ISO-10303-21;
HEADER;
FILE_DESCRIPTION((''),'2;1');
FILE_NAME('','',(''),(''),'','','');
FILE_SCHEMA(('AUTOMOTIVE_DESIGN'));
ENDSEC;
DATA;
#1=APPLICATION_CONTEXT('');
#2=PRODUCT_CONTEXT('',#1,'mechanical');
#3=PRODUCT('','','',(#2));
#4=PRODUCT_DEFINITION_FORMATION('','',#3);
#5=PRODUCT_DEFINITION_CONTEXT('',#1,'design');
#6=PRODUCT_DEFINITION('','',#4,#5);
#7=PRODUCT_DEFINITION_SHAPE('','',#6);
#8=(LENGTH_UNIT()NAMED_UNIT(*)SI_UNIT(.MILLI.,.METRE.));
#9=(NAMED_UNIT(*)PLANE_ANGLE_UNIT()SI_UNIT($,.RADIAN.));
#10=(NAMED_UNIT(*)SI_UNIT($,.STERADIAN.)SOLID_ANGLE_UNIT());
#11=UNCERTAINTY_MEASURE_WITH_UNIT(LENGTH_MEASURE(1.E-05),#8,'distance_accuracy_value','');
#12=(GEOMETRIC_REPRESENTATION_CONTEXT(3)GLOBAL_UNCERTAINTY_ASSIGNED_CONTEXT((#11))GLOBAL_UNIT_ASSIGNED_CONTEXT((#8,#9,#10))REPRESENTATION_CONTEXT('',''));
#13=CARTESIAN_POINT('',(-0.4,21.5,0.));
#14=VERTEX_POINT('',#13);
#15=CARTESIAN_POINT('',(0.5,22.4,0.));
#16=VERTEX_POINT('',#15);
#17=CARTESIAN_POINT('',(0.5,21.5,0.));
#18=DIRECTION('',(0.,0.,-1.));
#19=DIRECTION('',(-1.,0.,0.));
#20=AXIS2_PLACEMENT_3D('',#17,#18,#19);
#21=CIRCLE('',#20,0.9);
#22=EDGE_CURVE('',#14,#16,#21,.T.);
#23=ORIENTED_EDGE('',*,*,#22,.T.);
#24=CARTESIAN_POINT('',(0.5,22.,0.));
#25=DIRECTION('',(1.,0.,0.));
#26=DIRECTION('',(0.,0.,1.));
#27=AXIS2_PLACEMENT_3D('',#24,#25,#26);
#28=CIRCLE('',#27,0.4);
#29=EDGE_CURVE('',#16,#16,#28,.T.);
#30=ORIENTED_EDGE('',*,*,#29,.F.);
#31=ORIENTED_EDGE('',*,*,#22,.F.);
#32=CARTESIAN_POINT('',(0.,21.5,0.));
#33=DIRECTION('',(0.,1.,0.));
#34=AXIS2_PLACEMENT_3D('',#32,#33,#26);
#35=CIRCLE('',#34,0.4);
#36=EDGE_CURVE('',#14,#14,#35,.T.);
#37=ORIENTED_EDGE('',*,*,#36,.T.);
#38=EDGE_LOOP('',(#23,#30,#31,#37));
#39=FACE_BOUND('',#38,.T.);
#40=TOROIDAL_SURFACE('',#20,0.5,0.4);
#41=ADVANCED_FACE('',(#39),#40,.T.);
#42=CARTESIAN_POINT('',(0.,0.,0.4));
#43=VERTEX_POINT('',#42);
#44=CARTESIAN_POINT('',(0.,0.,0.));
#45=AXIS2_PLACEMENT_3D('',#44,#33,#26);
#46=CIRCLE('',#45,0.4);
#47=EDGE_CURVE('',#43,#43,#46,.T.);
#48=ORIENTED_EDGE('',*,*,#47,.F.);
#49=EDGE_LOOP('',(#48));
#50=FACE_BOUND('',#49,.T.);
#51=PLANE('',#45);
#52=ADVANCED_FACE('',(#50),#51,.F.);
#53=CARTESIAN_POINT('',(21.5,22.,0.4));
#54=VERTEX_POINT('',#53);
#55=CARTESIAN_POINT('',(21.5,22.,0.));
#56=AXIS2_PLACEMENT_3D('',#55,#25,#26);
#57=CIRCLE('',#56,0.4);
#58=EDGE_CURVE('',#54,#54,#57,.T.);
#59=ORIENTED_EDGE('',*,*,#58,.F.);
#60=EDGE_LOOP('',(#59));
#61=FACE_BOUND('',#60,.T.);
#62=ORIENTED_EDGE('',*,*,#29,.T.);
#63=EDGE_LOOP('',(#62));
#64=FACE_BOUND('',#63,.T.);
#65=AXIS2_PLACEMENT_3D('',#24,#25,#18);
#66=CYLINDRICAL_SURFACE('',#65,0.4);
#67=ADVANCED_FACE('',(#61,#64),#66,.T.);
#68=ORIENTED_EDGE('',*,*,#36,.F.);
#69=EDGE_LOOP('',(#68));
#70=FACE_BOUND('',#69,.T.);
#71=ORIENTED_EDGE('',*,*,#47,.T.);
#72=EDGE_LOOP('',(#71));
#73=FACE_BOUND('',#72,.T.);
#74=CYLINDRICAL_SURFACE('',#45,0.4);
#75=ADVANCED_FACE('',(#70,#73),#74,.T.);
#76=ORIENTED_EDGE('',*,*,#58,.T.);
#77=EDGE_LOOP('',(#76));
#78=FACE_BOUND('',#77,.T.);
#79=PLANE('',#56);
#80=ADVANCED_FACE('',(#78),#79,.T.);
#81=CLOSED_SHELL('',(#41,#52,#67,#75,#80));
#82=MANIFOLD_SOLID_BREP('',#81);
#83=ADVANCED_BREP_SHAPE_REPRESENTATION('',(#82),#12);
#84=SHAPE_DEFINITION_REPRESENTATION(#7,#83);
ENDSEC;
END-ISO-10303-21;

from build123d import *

# Parameters (mm, degrees)
SKETCH_2_R = 0.4


with BuildPart() as part:
    # По траектории1: sweep along a path in Эскиз1
    with BuildLine(Plane.XY) as sweep_1_path:
        Line((0, 0), (0, 21.5))
        ThreePointArc((0, 21.5), (0.146446609, 21.853553391), (0.5, 22))
        Line((0.5, 22), (21.5, 22))
    # Эскиз2 → По траектории1 (sweep)
    with BuildSketch(Plane(origin=(0, 0, 0), x_dir=(1, 0, 0), z_dir=(0, 1, 0))):
        Circle(SKETCH_2_R)
    sweep(path=sweep_1_path.line)


solid = part.part
